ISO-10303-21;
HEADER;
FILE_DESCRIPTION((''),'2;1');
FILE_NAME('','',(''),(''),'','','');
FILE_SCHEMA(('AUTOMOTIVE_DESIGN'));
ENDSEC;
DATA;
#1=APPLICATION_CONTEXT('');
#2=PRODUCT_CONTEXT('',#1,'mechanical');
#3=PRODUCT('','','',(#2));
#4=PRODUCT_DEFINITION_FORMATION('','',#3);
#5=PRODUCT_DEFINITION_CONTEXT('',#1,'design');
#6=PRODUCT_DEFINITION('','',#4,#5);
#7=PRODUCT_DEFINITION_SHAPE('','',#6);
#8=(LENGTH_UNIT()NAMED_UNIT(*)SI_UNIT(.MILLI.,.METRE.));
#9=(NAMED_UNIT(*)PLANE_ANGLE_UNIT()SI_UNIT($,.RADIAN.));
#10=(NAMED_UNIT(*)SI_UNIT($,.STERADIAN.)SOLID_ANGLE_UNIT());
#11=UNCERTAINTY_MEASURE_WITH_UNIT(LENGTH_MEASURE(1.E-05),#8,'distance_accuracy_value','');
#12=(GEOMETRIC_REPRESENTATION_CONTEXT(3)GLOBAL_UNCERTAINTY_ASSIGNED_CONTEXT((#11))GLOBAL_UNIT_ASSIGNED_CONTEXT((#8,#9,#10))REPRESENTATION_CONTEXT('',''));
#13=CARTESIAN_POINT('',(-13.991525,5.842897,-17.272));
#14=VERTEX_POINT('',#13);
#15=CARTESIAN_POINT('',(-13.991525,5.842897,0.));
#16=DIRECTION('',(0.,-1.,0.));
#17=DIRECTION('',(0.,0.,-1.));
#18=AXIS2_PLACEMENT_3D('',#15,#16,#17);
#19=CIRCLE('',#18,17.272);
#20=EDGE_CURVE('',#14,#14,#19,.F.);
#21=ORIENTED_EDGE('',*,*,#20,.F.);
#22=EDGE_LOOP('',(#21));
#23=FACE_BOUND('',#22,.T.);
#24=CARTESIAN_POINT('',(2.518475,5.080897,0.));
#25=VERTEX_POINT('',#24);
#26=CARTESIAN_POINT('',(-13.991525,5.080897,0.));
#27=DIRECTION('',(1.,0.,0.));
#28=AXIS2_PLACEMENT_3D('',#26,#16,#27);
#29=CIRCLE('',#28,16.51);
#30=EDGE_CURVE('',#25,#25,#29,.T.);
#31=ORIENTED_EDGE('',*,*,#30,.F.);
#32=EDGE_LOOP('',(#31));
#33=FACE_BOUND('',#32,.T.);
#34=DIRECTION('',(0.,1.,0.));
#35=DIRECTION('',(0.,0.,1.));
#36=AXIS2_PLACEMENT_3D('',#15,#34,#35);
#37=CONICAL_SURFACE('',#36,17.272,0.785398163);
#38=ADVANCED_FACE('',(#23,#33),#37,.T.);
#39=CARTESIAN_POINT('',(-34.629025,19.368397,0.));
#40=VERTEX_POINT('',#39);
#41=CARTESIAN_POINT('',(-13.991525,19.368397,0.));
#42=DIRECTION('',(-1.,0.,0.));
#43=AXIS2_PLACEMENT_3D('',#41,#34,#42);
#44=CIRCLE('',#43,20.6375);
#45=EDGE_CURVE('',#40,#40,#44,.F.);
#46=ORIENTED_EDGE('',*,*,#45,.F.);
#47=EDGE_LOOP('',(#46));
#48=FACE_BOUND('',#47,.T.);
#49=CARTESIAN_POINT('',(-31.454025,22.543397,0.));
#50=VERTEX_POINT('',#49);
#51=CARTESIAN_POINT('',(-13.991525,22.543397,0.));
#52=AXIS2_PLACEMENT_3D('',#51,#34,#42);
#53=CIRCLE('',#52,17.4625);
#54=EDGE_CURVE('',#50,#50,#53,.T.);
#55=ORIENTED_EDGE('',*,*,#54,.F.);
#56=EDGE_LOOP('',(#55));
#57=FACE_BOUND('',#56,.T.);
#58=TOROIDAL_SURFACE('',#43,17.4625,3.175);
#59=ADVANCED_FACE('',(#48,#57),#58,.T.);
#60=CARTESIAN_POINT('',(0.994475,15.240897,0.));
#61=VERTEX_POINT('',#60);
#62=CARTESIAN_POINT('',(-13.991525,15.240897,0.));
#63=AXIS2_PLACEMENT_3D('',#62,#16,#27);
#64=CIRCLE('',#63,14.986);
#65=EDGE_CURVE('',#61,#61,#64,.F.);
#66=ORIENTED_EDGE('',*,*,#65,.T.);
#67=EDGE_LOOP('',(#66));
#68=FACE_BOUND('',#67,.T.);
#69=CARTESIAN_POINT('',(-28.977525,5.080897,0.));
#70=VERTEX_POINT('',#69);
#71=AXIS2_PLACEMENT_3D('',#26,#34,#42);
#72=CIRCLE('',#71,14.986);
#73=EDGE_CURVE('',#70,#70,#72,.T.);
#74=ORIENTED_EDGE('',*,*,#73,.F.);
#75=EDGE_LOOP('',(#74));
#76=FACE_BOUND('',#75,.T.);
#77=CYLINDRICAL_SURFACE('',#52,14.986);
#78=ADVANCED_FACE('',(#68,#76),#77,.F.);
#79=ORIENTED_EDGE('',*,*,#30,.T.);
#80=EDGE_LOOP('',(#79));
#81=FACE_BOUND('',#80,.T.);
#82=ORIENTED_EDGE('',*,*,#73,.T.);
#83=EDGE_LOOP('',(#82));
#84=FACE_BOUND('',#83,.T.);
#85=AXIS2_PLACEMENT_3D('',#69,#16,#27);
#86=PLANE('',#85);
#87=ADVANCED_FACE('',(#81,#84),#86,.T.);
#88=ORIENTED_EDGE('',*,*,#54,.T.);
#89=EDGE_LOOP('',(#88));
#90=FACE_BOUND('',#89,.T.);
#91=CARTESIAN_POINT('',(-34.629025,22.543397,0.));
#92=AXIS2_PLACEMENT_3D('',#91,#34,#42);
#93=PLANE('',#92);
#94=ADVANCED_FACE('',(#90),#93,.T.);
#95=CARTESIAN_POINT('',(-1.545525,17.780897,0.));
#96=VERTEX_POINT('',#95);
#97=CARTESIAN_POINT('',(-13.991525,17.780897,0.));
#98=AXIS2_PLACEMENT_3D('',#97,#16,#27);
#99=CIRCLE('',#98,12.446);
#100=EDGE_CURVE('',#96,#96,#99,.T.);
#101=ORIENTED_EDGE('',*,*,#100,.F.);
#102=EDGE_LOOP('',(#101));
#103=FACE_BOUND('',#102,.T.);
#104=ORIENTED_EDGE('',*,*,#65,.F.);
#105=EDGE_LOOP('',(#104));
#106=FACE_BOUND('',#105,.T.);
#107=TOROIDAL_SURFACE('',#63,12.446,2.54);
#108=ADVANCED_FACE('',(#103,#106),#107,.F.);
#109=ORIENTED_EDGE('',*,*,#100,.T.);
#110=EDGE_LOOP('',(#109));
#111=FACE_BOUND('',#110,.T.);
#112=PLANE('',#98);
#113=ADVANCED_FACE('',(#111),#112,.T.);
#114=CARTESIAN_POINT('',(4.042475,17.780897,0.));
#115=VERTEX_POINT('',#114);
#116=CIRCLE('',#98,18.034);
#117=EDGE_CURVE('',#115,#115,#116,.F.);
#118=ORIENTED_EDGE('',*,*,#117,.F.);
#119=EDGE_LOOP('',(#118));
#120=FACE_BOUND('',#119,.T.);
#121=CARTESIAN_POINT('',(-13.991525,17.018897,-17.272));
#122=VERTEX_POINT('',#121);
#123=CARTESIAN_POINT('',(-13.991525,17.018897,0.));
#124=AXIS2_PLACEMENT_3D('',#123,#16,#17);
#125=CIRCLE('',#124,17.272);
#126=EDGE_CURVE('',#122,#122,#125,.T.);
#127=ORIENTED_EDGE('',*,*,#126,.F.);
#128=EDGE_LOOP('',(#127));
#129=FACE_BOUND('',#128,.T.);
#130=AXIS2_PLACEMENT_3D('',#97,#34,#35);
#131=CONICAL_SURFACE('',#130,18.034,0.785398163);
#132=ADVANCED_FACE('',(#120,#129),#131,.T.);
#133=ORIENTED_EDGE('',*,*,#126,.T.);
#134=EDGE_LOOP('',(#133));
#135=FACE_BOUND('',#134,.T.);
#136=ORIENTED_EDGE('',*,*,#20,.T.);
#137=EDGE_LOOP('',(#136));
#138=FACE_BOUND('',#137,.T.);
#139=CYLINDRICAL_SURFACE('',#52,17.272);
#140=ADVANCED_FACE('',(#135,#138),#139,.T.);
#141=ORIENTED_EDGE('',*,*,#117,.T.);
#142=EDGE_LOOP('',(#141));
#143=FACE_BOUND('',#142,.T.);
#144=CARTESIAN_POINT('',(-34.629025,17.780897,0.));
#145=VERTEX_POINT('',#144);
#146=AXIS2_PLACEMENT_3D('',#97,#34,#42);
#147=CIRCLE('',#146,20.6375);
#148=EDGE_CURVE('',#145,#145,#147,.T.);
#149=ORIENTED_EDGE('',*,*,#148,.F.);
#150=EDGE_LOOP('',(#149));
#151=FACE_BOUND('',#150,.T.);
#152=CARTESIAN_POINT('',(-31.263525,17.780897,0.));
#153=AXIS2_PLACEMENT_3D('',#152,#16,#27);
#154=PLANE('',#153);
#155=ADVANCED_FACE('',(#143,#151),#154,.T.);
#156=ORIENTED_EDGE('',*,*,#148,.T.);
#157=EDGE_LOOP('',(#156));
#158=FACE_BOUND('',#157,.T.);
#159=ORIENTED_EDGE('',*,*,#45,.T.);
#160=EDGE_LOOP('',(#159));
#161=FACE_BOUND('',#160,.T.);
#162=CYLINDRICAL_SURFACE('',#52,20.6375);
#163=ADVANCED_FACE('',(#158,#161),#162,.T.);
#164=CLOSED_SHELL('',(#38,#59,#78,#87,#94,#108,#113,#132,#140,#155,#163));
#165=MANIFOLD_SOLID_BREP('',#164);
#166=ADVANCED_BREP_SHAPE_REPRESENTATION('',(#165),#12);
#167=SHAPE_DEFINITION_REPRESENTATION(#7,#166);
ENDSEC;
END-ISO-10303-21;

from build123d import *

# Parameters (mm, degrees)
FILLET1_R     = 3.175
CHAMFER1_SIZE = 0.762
FILLET2_R     = 2.54


with BuildPart() as part:
    # Sketch3 → Revolve1 (revolve)
    with BuildSketch(Plane.XY):
        Polygon((-34.629025424, 22.543396893), (-13.991525424, 22.543396893), (-13.991525424, 17.780896893), (-28.977525424, 17.780896893), (-28.977525424, 5.080896893), (-31.263525424, 5.080896893), (-31.263525424, 17.780896893), (-34.629025424, 17.780896893), align=None)
    revolve(axis=Axis((-13.991525424, 22.543396893, 0), (0, -1, 0)))

    # Fillet1
    fillet1_edges = [part.edges().sort_by_distance(p)[0] for p in [
        (6.645974576, 22.543396893, 0),
    ]]
    fillet(fillet1_edges, radius=FILLET1_R)

    # Chamfer1
    chamfer1_edges = [part.edges().sort_by_distance(p)[0] for p in [
        (3.280474576, 17.780896893, 0),
        (3.280474576, 5.080896893, 0),
    ]]
    chamfer(chamfer1_edges, length=CHAMFER1_SIZE)

    # Fillet2
    fillet2_edges = [part.edges().sort_by_distance(p)[0] for p in [
        (0.994474576, 17.780896893, 0),
    ]]
    fillet(fillet2_edges, radius=FILLET2_R)


solid = part.part
